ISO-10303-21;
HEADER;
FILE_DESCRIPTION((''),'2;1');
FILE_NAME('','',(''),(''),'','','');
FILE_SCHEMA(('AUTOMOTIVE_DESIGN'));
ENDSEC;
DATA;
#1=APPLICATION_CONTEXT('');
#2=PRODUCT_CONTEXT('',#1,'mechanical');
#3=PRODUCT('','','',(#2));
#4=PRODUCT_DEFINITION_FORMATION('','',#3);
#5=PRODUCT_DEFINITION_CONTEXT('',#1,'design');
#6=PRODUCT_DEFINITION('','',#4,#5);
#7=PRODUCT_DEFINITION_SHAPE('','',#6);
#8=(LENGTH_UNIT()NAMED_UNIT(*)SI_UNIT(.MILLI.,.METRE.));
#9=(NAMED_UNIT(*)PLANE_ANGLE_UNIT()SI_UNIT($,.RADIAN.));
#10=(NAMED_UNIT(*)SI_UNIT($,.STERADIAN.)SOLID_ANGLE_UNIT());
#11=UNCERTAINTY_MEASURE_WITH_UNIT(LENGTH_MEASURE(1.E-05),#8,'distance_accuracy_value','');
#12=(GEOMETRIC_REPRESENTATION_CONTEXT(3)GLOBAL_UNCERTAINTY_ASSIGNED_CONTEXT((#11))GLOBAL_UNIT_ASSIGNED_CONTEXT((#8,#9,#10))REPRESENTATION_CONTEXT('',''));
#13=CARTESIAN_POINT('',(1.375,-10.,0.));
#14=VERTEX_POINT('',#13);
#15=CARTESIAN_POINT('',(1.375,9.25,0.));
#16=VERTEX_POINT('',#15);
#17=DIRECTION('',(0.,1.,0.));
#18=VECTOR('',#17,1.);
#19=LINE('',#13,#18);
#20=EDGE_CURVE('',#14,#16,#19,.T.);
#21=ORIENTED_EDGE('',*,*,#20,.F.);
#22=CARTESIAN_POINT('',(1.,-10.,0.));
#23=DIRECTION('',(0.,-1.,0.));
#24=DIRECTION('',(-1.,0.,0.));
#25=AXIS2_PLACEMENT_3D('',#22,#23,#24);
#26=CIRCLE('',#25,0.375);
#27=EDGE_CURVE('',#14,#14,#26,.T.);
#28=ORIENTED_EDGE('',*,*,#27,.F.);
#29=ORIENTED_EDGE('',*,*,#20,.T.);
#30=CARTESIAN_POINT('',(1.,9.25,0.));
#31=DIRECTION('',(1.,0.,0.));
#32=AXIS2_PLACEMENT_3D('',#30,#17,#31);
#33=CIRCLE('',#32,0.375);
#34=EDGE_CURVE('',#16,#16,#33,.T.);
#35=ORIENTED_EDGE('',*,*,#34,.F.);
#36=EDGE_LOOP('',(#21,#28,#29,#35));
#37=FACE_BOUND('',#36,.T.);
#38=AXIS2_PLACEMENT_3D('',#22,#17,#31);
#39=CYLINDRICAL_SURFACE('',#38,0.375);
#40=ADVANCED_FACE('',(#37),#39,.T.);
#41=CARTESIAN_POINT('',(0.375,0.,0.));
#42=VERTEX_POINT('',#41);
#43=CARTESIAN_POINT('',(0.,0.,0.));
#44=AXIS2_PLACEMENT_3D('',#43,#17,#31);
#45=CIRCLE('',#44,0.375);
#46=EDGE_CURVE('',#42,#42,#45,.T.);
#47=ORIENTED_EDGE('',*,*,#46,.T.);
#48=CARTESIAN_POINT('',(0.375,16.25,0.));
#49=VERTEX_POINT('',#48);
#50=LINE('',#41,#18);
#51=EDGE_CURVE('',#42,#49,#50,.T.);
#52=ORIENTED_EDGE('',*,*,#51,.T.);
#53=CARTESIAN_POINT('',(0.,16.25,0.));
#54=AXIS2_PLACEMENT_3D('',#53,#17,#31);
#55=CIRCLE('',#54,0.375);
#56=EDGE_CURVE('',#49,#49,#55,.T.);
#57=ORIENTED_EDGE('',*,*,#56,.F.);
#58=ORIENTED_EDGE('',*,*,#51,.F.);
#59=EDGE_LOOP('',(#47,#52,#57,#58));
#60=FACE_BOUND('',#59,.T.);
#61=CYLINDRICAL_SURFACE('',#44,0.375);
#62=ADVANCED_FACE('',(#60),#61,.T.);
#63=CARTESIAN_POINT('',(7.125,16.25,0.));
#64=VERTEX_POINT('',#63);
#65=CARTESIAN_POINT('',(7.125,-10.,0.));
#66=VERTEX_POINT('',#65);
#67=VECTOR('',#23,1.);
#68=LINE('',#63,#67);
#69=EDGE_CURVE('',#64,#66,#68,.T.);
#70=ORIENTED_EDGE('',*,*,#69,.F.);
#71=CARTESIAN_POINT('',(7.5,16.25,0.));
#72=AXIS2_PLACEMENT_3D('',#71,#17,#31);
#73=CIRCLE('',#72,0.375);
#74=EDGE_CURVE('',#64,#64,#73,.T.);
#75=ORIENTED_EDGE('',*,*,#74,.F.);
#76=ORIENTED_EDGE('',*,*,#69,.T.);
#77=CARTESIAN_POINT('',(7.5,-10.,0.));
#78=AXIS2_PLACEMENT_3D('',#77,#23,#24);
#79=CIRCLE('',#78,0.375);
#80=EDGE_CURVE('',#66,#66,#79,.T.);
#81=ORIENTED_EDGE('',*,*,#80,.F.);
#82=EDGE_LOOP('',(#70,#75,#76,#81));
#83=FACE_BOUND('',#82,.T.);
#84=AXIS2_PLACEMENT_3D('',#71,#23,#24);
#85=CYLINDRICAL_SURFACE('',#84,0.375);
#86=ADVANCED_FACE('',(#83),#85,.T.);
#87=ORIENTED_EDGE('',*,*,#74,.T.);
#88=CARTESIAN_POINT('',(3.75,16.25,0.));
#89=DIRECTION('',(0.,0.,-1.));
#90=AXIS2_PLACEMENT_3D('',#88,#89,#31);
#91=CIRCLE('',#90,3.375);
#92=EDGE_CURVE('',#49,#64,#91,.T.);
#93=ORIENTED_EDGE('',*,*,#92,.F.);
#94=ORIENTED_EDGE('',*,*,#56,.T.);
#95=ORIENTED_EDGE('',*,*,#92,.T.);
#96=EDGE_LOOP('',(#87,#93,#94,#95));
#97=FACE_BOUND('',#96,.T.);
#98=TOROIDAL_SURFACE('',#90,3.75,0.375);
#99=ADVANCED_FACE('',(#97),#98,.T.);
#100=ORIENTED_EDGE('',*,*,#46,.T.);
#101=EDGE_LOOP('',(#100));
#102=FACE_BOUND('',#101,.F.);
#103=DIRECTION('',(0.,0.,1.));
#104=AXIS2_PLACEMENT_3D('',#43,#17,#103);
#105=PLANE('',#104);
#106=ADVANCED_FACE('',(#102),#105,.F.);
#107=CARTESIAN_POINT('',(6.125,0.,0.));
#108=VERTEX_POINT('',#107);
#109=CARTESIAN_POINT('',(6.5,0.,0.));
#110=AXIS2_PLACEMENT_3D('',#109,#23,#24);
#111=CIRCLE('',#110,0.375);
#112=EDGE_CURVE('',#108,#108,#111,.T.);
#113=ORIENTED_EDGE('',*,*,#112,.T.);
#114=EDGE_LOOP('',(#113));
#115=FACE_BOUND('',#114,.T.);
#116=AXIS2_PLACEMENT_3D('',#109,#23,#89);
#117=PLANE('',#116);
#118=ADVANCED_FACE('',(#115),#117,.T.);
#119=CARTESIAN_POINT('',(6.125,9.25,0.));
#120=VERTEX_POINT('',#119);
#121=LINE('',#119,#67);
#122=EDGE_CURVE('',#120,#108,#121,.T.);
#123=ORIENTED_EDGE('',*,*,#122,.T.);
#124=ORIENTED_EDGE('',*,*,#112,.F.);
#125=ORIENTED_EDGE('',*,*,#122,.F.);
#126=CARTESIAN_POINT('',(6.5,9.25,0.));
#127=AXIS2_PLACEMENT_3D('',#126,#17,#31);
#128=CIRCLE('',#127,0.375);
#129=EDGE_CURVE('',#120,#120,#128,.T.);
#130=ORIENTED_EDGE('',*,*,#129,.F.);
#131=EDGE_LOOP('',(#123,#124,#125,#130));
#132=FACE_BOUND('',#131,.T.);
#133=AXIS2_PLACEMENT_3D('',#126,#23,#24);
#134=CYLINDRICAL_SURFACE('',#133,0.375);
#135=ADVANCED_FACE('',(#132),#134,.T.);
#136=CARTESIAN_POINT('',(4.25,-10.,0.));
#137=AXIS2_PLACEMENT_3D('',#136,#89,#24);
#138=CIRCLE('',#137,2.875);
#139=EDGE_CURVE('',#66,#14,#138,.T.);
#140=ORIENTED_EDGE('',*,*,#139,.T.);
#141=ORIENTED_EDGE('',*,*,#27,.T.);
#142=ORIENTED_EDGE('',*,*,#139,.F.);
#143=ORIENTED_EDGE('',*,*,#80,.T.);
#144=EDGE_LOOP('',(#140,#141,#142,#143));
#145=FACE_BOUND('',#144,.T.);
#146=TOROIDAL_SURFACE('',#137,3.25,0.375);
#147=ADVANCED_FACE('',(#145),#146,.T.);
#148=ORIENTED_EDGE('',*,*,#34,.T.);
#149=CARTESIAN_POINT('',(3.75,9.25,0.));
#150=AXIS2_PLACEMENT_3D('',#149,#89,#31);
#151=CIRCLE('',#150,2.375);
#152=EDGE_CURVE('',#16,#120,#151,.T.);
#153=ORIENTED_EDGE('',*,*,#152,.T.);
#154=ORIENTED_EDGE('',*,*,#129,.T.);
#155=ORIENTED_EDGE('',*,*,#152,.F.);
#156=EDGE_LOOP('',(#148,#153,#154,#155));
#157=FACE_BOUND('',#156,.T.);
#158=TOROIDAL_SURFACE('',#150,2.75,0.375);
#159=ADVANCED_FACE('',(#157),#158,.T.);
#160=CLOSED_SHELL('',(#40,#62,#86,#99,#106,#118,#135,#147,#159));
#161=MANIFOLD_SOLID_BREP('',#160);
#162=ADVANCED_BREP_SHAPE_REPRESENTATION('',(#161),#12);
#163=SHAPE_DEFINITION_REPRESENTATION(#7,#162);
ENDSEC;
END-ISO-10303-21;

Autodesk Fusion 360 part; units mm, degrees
sketch "Sweep Path" plane through (0, 0, 0) normal (0, 0, 1) x (1, 0, 0)
  line L0 (0, 0) -> (0, 16.25)
  line L1 (0, 16.25) -> (7.5, 16.25) construction
  line L2 (7.5, 16.25) -> (7.5, -10)
  line L3 (7.5, -10) -> (1, -10) construction
  line L4 (1, -10) -> (1, 9.25)
  line L5 (1, 9.25) -> (6.5, 9.25) construction
  line L6 (6.5, 9.25) -> (6.5, 0)
  arc A0 (7.5, 16.25) -> (0, 16.25) centre (3.75, 16.25) ccw
  arc A1 (6.5, 9.25) -> (1, 9.25) centre (3.75, 9.25) ccw
  arc A2 (1, -10) -> (7.5, -10) centre (4.25, -10) ccw
  dimension "d1" = 16.25
  dimension "d2" = 7.5
  dimension "d3" = 26.25
  dimension "d7" = 19.25
  dimension "d8" = 5.5
  dimension "d9" = 9.25
  dimension "d10" = 6.5
sketch "Sweep Profile" plane through (0, 0, 0) normal (0, 1, 0) x (1, 0, 0)
  circle A0 centre (0, 0) radius 0.375
  dimension "d11" = 0.75
sweep "Sweep1" add profiles "Sweep Profile" path "Sweep Path" along L0 A0 L2 A2 L4 A1 L6 section 1
